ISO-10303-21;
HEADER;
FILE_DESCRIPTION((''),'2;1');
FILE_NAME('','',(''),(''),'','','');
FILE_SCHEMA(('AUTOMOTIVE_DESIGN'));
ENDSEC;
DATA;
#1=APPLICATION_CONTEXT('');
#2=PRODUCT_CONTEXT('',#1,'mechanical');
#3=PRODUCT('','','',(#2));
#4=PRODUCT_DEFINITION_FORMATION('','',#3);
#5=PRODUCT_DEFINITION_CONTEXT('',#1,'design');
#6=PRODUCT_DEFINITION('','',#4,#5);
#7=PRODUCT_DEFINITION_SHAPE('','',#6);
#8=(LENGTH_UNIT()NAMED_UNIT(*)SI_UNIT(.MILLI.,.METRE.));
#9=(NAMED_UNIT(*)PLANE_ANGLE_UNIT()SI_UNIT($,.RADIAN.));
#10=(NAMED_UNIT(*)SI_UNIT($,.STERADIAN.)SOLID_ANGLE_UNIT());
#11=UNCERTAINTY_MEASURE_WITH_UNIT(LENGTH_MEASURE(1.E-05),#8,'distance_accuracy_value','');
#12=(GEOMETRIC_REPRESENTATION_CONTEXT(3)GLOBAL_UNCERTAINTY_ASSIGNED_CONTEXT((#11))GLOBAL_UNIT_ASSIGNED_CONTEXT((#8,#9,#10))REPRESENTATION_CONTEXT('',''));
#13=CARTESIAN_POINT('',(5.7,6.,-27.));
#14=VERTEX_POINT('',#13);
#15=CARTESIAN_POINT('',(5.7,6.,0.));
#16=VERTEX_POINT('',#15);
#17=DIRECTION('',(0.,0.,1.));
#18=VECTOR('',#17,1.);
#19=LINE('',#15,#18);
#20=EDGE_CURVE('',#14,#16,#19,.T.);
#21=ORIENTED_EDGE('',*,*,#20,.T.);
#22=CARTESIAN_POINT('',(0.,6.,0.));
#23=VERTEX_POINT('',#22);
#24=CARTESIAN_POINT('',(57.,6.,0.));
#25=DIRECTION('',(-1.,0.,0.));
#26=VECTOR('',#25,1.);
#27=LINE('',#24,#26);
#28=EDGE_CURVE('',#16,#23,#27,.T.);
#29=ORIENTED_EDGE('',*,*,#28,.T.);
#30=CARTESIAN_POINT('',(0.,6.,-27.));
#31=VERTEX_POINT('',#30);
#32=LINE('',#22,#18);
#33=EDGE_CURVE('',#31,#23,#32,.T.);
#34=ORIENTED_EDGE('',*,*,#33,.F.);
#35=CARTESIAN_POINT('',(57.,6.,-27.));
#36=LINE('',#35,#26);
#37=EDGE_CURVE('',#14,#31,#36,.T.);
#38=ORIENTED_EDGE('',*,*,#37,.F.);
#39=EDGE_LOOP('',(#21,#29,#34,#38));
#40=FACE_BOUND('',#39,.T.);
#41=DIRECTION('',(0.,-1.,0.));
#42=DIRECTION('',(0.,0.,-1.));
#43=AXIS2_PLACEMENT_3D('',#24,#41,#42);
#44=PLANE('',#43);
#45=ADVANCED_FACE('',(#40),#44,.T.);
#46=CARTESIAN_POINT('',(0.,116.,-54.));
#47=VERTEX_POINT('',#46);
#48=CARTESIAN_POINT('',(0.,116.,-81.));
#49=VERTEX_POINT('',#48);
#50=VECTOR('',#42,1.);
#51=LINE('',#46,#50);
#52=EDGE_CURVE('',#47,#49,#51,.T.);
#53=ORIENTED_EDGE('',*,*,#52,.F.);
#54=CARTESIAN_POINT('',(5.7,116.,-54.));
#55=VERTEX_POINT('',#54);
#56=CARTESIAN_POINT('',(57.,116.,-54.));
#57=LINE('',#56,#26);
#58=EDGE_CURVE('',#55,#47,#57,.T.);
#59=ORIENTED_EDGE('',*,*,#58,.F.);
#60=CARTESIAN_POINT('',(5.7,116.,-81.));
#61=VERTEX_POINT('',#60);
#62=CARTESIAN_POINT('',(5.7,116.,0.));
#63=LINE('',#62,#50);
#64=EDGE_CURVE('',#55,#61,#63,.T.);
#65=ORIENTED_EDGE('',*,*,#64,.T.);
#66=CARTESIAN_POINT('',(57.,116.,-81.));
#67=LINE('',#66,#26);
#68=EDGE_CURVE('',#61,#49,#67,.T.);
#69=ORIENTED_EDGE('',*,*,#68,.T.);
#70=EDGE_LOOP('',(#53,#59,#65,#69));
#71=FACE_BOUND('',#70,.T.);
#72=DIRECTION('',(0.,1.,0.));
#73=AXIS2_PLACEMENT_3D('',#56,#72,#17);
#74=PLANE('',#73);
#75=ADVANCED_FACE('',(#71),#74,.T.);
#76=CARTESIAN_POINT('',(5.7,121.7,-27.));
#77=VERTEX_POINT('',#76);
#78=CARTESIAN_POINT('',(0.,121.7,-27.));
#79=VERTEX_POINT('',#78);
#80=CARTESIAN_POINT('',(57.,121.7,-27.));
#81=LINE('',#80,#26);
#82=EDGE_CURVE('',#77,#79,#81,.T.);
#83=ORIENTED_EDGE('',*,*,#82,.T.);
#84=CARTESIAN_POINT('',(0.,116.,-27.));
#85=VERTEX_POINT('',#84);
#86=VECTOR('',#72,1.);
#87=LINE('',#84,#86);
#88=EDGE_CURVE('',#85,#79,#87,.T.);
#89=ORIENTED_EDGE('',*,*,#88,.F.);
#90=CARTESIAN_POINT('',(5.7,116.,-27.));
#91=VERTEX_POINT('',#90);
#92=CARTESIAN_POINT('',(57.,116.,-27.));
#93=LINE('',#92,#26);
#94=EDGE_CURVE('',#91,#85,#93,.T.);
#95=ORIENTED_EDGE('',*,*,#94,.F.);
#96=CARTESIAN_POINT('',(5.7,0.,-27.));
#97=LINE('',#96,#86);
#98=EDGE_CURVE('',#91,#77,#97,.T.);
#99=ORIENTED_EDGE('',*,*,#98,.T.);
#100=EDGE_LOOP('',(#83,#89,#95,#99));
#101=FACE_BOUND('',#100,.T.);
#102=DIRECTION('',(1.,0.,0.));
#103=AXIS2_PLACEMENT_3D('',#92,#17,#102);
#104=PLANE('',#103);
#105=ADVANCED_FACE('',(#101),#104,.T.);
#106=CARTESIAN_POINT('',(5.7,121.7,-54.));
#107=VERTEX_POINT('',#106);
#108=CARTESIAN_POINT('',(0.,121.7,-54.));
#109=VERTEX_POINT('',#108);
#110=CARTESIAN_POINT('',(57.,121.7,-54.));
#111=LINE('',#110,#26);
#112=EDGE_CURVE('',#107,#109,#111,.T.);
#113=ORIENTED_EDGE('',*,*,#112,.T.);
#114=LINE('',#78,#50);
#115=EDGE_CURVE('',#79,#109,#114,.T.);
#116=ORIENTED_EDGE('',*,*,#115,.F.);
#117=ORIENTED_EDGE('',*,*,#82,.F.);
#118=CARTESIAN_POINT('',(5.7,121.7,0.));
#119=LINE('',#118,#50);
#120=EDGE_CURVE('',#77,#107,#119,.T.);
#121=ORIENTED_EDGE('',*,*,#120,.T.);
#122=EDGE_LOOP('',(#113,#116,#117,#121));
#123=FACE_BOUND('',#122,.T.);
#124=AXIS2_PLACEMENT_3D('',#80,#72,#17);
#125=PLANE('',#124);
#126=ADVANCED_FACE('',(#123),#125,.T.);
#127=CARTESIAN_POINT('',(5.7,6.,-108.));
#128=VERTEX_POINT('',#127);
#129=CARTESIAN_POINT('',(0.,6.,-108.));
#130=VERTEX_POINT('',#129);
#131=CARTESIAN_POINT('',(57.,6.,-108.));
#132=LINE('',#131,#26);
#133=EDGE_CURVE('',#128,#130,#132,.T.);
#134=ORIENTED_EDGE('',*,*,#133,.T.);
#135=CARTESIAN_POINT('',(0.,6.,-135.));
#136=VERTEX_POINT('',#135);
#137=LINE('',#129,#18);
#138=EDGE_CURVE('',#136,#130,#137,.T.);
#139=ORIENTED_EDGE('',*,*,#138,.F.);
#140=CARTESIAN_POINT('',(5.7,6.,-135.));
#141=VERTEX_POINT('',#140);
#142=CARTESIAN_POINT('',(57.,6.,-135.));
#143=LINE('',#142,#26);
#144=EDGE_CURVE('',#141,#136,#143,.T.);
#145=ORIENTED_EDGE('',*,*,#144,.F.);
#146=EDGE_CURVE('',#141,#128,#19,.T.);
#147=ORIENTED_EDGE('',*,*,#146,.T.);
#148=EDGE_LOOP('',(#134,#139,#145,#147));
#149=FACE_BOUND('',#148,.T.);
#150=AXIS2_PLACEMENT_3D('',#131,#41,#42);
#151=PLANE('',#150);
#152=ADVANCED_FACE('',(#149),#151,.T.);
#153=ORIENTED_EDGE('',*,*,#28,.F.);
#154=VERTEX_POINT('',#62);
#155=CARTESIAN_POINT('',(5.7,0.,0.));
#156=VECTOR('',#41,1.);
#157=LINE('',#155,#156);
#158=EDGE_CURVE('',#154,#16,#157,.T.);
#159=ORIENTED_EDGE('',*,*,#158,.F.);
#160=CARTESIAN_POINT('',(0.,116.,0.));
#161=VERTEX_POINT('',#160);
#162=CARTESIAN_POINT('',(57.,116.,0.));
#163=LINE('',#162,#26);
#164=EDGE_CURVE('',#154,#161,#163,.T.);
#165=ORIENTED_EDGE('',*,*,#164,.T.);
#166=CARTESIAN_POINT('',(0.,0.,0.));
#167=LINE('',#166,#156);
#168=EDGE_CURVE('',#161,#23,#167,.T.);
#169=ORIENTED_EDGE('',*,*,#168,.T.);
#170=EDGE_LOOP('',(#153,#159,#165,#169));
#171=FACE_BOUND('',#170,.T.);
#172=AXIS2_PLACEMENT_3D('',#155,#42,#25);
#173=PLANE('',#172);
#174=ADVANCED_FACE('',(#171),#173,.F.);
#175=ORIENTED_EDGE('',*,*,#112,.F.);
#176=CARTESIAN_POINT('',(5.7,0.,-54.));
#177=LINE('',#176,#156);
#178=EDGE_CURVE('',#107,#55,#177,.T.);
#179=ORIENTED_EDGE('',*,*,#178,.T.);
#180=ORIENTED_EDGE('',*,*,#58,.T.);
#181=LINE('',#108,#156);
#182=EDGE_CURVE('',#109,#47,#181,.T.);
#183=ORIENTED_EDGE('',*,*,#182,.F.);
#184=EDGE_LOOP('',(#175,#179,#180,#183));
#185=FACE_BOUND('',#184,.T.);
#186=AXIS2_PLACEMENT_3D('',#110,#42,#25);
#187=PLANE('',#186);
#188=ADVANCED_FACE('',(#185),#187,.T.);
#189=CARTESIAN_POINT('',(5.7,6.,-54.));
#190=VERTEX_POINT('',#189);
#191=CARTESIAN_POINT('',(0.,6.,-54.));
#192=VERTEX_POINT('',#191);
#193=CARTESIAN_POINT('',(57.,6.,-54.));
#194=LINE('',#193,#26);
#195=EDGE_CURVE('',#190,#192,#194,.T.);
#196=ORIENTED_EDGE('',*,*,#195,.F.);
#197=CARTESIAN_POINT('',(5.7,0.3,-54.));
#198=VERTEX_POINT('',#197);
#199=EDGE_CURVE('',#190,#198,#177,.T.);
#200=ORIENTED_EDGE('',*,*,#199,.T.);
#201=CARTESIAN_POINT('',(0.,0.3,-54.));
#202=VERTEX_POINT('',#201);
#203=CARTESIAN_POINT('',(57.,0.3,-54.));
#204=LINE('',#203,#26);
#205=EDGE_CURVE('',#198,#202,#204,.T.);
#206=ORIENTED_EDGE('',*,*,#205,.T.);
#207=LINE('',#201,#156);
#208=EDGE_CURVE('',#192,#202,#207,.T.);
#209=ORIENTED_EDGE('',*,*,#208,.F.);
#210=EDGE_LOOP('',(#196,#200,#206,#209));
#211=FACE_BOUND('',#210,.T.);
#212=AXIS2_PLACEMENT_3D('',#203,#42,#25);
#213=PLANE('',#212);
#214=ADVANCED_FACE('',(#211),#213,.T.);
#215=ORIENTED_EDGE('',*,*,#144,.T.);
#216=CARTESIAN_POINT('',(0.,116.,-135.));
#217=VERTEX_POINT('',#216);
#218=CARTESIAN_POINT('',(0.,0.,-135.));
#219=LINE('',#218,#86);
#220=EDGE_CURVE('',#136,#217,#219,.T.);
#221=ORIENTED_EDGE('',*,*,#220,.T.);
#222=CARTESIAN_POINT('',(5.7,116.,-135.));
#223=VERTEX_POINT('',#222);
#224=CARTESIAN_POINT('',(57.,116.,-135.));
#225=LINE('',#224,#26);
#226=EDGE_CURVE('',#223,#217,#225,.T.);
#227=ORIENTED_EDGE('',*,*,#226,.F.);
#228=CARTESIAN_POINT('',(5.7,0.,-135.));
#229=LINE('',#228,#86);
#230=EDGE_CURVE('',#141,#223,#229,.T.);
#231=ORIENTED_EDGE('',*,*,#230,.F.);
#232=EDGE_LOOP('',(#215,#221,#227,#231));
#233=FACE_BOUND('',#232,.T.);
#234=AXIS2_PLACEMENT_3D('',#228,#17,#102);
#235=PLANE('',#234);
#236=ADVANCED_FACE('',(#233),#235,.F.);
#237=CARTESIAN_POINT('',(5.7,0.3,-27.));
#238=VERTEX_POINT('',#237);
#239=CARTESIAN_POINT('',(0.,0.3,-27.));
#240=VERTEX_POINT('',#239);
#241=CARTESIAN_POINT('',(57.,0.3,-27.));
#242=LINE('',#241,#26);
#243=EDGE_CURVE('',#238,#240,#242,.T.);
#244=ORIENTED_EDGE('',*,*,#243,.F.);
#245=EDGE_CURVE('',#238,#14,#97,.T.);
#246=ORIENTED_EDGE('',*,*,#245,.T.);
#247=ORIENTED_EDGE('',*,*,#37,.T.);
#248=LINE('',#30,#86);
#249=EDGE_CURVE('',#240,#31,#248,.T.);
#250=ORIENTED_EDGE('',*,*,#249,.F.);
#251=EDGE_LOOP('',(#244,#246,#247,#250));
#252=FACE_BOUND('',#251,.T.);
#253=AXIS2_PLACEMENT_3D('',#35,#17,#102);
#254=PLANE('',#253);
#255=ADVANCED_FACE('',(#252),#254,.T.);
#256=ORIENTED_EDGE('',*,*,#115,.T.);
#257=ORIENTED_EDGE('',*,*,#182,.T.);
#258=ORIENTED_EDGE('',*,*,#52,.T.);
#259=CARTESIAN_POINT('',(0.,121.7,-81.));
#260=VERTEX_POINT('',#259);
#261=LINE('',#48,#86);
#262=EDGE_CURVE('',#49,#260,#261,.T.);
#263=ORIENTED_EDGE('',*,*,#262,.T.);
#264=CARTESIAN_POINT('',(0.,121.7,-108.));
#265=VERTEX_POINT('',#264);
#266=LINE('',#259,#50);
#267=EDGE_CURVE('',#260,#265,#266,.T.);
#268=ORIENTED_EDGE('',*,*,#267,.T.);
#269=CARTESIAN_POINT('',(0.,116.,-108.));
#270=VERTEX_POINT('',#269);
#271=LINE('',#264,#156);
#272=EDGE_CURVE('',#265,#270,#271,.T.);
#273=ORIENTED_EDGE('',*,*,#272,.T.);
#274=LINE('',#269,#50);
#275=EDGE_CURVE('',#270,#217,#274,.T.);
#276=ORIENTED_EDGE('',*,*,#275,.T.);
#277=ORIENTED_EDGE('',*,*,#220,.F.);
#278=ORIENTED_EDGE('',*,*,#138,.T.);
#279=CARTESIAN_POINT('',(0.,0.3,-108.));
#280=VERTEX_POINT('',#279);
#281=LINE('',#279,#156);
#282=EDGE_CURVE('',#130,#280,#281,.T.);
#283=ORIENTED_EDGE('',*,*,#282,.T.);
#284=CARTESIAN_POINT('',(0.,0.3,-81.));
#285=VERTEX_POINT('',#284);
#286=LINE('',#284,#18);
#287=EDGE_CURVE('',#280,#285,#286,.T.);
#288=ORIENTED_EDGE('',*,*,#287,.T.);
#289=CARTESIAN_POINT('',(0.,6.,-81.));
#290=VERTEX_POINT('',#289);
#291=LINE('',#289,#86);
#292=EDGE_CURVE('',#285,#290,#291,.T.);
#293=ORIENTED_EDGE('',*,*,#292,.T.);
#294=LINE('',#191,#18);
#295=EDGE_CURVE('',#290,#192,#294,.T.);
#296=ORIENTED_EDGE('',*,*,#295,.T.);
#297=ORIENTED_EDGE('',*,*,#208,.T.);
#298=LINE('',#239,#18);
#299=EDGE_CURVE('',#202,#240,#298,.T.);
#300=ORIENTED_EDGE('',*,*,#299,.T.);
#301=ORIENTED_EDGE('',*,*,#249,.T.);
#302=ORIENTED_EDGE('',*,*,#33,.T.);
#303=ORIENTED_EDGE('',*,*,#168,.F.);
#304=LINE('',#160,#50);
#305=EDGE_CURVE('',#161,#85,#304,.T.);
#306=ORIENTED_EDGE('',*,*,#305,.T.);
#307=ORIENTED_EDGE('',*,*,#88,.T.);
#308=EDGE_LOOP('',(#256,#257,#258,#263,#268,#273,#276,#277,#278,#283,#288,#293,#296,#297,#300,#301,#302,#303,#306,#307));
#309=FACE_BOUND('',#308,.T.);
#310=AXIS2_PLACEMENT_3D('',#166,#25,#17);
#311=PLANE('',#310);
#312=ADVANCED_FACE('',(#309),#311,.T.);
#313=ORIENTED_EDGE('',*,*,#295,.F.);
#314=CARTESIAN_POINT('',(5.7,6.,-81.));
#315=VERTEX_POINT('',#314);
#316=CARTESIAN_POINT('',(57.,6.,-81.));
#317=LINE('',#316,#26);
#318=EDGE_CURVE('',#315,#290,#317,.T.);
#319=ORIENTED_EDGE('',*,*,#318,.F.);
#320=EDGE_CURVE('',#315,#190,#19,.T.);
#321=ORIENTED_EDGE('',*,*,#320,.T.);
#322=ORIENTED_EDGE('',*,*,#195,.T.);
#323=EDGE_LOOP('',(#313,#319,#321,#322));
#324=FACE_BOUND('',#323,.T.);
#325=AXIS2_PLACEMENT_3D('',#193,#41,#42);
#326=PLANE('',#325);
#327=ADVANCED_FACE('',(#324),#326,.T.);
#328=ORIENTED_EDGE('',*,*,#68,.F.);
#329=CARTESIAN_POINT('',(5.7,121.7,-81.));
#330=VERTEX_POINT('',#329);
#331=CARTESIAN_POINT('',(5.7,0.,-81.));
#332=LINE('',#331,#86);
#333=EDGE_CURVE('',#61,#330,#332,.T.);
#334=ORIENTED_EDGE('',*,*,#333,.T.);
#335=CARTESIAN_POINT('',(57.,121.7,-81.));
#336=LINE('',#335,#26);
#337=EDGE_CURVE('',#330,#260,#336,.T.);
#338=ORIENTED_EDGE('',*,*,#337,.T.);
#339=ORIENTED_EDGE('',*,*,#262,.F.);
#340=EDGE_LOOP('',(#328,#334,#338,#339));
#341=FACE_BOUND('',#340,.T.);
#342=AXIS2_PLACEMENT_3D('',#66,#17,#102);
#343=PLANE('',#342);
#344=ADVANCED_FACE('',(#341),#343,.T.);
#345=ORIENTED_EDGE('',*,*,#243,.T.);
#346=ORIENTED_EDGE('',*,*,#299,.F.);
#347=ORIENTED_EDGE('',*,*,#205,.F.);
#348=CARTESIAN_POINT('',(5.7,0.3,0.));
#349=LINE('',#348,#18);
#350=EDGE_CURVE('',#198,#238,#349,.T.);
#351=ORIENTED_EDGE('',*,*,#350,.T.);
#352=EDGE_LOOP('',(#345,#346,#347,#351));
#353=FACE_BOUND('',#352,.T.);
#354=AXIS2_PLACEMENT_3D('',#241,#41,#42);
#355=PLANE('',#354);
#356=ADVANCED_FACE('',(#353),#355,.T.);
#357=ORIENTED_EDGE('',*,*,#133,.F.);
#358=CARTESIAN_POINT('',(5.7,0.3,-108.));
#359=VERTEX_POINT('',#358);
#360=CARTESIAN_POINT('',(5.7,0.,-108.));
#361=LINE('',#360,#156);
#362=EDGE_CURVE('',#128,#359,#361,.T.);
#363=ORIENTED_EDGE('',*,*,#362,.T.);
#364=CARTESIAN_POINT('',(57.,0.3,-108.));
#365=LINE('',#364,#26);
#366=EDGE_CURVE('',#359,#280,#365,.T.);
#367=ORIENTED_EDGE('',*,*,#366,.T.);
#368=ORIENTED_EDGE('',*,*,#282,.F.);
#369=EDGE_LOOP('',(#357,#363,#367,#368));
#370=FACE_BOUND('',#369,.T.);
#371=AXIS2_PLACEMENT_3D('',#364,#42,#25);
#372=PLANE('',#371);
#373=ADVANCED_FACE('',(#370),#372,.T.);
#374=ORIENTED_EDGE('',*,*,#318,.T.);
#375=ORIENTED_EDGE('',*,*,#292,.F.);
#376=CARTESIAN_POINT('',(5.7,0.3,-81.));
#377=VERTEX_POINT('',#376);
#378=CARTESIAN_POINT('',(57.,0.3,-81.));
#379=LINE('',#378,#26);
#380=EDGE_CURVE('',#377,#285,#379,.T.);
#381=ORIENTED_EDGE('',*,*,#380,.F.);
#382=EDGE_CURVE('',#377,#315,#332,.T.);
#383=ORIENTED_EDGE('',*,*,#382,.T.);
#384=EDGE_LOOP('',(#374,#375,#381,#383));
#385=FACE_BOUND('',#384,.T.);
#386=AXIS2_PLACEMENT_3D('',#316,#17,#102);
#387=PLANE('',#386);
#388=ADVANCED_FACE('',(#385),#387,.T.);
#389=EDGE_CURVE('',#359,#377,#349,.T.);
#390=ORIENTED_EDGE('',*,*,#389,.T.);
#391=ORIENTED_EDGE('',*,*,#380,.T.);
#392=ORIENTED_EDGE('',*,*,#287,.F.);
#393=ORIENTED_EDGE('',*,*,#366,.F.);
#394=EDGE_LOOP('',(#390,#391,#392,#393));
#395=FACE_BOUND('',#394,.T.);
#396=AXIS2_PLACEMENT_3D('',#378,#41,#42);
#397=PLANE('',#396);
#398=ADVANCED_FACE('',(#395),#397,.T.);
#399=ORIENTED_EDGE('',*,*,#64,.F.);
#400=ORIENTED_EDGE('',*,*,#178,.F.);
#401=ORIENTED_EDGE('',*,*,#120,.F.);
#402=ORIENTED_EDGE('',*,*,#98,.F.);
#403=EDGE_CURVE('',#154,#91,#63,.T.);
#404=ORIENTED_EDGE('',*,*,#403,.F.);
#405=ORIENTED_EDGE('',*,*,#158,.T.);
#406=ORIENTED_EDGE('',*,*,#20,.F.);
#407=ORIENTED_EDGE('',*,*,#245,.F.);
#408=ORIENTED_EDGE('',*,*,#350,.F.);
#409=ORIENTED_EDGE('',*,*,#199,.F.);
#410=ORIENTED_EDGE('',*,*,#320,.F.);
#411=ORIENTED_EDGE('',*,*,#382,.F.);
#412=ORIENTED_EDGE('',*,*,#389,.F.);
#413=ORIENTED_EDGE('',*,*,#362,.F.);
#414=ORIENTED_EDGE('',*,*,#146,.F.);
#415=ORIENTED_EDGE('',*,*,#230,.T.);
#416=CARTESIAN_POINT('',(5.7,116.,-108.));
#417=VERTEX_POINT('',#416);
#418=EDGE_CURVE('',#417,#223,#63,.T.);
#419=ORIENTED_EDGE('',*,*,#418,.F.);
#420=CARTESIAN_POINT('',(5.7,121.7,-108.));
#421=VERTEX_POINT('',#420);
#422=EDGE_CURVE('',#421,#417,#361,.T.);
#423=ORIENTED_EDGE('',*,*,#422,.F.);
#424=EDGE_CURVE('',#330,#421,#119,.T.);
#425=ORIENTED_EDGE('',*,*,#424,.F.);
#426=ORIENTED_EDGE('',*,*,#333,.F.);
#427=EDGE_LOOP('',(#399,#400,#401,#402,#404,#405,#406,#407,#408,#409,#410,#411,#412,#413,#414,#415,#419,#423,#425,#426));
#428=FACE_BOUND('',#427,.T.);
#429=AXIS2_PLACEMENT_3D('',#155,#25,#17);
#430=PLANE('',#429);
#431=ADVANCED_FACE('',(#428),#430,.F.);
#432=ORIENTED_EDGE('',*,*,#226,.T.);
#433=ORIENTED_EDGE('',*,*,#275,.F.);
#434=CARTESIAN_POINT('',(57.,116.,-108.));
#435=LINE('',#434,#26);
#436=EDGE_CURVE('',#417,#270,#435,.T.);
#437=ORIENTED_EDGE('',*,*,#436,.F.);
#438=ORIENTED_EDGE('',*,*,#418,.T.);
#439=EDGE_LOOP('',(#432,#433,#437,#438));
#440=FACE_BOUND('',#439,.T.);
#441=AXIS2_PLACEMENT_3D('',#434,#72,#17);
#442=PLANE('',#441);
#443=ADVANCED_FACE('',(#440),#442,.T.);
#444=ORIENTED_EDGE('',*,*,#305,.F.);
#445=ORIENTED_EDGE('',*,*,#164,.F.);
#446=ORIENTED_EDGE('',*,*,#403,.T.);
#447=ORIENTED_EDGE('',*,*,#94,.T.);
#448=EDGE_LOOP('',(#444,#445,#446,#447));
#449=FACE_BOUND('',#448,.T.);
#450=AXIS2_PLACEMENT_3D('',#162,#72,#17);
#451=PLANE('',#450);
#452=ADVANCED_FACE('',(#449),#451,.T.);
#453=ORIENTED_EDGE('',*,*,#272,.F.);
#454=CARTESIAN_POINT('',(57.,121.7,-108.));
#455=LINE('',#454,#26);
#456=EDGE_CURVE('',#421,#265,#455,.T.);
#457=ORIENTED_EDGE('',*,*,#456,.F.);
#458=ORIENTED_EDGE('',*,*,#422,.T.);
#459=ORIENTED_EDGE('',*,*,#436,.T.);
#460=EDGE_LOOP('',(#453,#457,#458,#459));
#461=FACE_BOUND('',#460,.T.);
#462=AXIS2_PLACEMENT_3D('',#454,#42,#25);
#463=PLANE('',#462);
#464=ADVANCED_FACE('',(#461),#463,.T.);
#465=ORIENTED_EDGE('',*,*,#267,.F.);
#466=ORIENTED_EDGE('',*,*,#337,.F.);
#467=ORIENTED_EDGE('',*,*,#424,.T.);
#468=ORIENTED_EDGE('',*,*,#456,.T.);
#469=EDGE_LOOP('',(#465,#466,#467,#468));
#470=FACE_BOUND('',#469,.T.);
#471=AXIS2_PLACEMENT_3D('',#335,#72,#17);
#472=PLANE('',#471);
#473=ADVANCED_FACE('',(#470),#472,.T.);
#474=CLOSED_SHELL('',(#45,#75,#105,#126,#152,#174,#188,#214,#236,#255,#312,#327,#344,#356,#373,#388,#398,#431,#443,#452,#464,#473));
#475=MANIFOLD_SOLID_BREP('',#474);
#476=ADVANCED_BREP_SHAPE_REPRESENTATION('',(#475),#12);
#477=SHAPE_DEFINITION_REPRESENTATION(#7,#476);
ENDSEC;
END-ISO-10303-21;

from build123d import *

# Parameters (mm, degrees)
SKETCH1_W           = 135
SKETCH1_H           = 122
BOSS_EXTRUDE1_DEPTH = 5.7
CUT_EXTRUDE1_DEPTH  = 57


with BuildPart() as part:
    # Sketch1 → Boss-Extrude1 (new body)
    with BuildSketch(Plane(origin=(0, 0, 0), x_dir=(0, 0, -1), z_dir=(1, 0, 0))):
        with Locations((67.5, 61)):
            Rectangle(SKETCH1_W, SKETCH1_H)
    extrude(amount=BOSS_EXTRUDE1_DEPTH)

    # Sketch2 → Cut-Extrude1 (cut)
    with BuildSketch(Plane(origin=(0, 0, 0), x_dir=(0, 0, -1), z_dir=(1, 0, 0))):
        Polygon((0, 116), (27, 116), (27, 121.7), (54, 121.7), (54, 116), (81, 116), (81, 121.7), (108, 121.7), (108, 116), (135, 116), (135, 130), (0, 130), align=None)
        Polygon((0, -8), (0, 6), (27, 6), (27, 0.3), (54, 0.3), (54, 6), (81, 6), (81, 0.3), (108, 0.3), (108, 6), (135, 6), (135, -8), align=None)
    extrude(amount=CUT_EXTRUDE1_DEPTH, mode=Mode.SUBTRACT)


solid = part.part
